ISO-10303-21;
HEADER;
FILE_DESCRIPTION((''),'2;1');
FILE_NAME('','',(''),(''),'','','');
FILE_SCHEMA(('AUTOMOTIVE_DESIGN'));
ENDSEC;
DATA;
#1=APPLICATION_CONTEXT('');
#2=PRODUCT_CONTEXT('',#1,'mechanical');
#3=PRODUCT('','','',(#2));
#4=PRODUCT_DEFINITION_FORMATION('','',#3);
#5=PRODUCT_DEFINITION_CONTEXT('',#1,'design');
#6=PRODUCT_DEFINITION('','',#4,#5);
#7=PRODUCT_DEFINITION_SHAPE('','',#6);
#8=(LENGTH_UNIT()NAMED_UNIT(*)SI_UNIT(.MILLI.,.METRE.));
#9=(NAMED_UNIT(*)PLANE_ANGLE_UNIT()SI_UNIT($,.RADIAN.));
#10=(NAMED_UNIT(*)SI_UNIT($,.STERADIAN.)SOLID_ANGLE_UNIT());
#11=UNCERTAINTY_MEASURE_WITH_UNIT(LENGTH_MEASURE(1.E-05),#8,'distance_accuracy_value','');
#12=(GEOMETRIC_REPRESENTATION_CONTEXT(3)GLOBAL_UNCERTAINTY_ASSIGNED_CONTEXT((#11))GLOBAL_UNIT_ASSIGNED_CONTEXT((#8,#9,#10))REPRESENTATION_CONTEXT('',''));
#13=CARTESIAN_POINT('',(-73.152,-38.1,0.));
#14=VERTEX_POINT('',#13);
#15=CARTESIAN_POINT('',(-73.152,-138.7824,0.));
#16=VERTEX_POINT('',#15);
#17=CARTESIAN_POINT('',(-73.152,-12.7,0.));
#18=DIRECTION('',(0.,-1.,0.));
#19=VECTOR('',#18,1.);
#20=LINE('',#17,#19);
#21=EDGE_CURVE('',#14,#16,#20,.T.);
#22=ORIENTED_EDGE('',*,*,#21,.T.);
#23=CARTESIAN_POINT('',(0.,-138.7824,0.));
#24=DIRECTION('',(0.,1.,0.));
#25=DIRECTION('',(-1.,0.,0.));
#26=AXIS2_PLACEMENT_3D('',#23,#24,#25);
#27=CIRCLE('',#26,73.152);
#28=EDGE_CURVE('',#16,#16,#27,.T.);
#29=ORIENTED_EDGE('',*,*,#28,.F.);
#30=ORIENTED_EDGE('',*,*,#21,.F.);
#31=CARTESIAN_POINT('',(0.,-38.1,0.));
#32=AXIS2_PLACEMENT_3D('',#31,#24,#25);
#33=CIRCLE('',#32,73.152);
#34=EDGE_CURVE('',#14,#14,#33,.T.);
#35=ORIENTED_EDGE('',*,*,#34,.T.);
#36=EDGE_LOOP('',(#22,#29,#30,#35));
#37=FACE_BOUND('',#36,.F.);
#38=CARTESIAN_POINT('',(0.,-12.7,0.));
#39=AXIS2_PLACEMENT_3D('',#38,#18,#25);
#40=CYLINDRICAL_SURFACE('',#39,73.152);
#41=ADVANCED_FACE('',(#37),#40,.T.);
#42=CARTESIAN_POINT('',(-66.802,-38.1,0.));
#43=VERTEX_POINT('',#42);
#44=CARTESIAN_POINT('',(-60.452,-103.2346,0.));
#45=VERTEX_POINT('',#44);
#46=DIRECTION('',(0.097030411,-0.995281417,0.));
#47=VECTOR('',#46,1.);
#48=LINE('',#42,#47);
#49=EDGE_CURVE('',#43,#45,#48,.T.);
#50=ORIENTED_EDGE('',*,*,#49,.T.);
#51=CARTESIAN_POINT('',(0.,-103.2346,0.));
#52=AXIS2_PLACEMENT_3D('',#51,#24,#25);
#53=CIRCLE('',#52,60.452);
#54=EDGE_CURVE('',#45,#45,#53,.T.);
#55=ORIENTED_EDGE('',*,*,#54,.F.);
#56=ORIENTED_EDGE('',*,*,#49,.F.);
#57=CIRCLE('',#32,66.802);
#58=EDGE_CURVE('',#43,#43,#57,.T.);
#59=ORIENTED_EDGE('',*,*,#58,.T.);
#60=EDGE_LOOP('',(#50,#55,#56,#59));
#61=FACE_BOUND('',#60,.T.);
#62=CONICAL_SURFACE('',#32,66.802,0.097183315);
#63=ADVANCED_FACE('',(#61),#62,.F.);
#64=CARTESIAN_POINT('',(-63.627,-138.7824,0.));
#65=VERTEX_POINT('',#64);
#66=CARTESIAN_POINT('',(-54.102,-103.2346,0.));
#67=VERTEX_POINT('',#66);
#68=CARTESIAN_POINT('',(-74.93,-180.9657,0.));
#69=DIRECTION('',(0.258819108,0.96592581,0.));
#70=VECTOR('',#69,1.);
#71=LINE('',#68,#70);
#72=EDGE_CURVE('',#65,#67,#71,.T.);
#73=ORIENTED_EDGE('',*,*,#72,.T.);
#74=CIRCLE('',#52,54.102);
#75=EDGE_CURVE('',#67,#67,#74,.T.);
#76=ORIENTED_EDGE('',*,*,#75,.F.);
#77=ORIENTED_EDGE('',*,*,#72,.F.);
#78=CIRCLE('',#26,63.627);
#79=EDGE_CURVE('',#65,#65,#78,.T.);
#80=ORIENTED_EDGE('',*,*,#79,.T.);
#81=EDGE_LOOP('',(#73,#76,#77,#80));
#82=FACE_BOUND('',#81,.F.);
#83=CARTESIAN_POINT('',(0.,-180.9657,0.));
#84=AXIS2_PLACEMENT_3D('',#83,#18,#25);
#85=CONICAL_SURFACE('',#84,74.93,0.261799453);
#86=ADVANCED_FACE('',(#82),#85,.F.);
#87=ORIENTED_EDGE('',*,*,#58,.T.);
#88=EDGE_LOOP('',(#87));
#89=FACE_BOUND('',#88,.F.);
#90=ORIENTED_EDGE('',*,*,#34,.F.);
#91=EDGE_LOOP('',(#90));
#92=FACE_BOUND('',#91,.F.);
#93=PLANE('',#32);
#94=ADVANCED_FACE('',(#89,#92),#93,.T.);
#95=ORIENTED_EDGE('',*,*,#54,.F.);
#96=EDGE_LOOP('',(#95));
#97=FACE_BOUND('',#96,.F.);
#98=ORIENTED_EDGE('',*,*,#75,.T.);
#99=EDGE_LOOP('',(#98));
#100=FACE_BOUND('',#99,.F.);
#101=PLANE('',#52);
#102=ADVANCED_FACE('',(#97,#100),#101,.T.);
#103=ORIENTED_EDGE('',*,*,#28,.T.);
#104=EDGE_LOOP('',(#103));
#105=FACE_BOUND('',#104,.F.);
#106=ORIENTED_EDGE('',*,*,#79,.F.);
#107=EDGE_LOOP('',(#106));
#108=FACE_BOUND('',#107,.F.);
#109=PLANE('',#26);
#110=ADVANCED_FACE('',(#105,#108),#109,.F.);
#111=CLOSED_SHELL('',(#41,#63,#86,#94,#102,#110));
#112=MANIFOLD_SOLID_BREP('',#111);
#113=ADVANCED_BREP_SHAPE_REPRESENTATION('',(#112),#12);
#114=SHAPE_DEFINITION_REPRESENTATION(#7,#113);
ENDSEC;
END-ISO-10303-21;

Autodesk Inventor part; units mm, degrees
ref_plane "YZ Plane" through (0, 0, 0) normal (1, 0, 0) x (0, 1, 0)
ref_plane "XZ Plane" through (0, 0, 0) normal (0, 1, 0) x (-1, 0, 0)
ref_plane "XY Plane" through (0, 0, 0) normal (0, 0, 1) x (1, 0, 0)
sketch "Sketch1" plane through (0, 0, 0) normal (0, 0, 1) x (1, 0, 0)
  line L0 (0, 25.4) -> (-28.702, 25.4) construction
  line L1 (0, 25.4) -> (-93.98, 25.4) construction
  line L2 (-93.98, 25.4) -> (-90.805, 25.4) construction
  line L3 (-90.805, 25.4) -> (-84.455, 22.4389) construction
  line L4 (-90.805, 25.4) -> (-90.805, 22.4389) construction
  line L5 (-90.805, 0) -> (-93.98, 0)
  line L6 (-28.702, 59.6457) -> (-28.702, -91.9304) construction
  arc A0 (-28.9184, -9.248) -> (-32.3684, -1.8494) centre (-35.052, -7.6045) ccw
  line L7 (-74.93, -180.9657) -> (-28.702, -8.4405)
  line L8 (-90.805, 25.4) -> (-90.805, 0)
  line L9 (-90.805, 25.4) -> (-32.3684, -1.8494)
  line L10 (-28.702, -7.6045) -> (-60.452, -7.6045) construction
  line L11 (-60.452, -126.9331) -> (-54.102, -126.9331) construction
  line L12 (-54.102, -126.9331) -> (-54.102, -103.2346) construction
  line L13 (-54.102, -103.2346) -> (-60.452, -103.2346)
  line L14 (-60.452, 11.2462) -> (-60.452, 1.7212) construction
  line L15 (-60.452, 11.2462) -> (-60.452, 4.7154) construction
  line L16 (-60.452, 4.7154) -> (-46.4468, 4.7154)
  line L17 (-93.98, 0) -> (-93.98, -12.7) construction
  line L18 (-60.452, -12.7) -> (-73.152, -12.7) construction
  line L19 (-93.98, -12.7) -> (-93.98, -25.4) construction
  line L20 (-93.98, -25.4) -> (-93.98, -88.9) construction
  line L21 (-93.98, -88.9) -> (-81.28, -88.9) construction
  line L22 (-81.28, -88.9) -> (-81.28, -25.4) construction
  line L23 (-93.98, -25.4) -> (-81.28, -25.4)
  line L24 (-81.28, -25.4) -> (-81.28, -88.9)
  line L25 (-81.28, -88.9) -> (-93.98, -88.9)
  line L26 (-93.98, -12.7) -> (-73.152, -12.7)
  line L27 (-73.152, -138.7824) -> (-63.627, -138.7824)
  line L28 (-81.28, -88.9) -> (-81.28, -180.9657)
  line L29 (-81.28, -180.9657) -> (-74.93, -180.9657)
  line L30 (-73.152, -12.7) -> (-73.152, -138.7824)
  line L31 (-87.63, -25.4) -> (-87.63, -31.3436)
  line L32 (-87.63, -31.3436) -> (-93.98, -31.3436)
  line L33 (-93.98, 0) -> (-93.98, -25.4)
  line L34 (-93.98, -31.3436) -> (-93.98, -88.9)
  line L35 (-87.63, -155.5657) -> (-87.63, -216.5135)
  line L36 (-28.9184, -9.248) -> (-84.455, -216.5135)
  line L37 (-84.455, -216.5135) -> (-87.63, -216.5135)
  line L38 (-81.28, -155.5657) -> (-87.63, -155.5657)
  line L39 (-66.802, -38.1) -> (-73.152, -38.1)
  line L40 (-66.802, -38.1) -> (-66.802, 4.7154)
  line L41 (-66.802, 4.7154) -> (-60.452, 4.7154)
  line L42 (-66.802, -38.1) -> (-60.452, -103.2346)
  line L43 (-60.452, 11.2462) -> (-60.452, 4.7154) construction
  line L44 (-60.452, -7.6045) -> (-60.452, -12.7) construction
  line L45 (-60.452, -103.2346) -> (-60.452, -126.9331) construction
  line L46 (0, -319.0244) -> (0, 122.7573) projected
  point P0 (0, 0)
  point P1 (-93.98, -255.9127)
  point P2 (-88.7095, 22.4389)
  dimension "d0" = 28.702
  dimension "d1" = 93.98
  dimension "d2" = 3.175
  dimension "d3" = 25
  dimension "d5" = 25.4
  dimension "d6" = 25.4
  dimension "d8" = 12.7
  dimension "d12" = 31.75
  dimension "d13" = 6.35
  dimension "d16" = 12.7
  dimension "d17" = 12.7
  dimension "d18" = 12.7
  dimension "d19" = 63.5
  dimension "d20" = 12.7
  dimension "d22" = 9.525
  dimension "d23" = 6.35
  dimension "d25" = 5.9436
  dimension "d27" = 3.175
  dimension "d28" = 6.35
  dimension "d29" = 25.4
  dimension "d30" = 107.95
  dimension "d31" = 6.35
  dimension "d32" = 25.4
  dimension "d33" = 20.3552
  dimension "d34" = 15
revolve "Revolution1" add sketch "Sketch1" angle 360 about axis through (0, -10, 0) along (0, 1, 0) contours L39 L42 L13 L7 L27 L30
properties part number "phenolic_carrier" material "Phenolic Resin"
